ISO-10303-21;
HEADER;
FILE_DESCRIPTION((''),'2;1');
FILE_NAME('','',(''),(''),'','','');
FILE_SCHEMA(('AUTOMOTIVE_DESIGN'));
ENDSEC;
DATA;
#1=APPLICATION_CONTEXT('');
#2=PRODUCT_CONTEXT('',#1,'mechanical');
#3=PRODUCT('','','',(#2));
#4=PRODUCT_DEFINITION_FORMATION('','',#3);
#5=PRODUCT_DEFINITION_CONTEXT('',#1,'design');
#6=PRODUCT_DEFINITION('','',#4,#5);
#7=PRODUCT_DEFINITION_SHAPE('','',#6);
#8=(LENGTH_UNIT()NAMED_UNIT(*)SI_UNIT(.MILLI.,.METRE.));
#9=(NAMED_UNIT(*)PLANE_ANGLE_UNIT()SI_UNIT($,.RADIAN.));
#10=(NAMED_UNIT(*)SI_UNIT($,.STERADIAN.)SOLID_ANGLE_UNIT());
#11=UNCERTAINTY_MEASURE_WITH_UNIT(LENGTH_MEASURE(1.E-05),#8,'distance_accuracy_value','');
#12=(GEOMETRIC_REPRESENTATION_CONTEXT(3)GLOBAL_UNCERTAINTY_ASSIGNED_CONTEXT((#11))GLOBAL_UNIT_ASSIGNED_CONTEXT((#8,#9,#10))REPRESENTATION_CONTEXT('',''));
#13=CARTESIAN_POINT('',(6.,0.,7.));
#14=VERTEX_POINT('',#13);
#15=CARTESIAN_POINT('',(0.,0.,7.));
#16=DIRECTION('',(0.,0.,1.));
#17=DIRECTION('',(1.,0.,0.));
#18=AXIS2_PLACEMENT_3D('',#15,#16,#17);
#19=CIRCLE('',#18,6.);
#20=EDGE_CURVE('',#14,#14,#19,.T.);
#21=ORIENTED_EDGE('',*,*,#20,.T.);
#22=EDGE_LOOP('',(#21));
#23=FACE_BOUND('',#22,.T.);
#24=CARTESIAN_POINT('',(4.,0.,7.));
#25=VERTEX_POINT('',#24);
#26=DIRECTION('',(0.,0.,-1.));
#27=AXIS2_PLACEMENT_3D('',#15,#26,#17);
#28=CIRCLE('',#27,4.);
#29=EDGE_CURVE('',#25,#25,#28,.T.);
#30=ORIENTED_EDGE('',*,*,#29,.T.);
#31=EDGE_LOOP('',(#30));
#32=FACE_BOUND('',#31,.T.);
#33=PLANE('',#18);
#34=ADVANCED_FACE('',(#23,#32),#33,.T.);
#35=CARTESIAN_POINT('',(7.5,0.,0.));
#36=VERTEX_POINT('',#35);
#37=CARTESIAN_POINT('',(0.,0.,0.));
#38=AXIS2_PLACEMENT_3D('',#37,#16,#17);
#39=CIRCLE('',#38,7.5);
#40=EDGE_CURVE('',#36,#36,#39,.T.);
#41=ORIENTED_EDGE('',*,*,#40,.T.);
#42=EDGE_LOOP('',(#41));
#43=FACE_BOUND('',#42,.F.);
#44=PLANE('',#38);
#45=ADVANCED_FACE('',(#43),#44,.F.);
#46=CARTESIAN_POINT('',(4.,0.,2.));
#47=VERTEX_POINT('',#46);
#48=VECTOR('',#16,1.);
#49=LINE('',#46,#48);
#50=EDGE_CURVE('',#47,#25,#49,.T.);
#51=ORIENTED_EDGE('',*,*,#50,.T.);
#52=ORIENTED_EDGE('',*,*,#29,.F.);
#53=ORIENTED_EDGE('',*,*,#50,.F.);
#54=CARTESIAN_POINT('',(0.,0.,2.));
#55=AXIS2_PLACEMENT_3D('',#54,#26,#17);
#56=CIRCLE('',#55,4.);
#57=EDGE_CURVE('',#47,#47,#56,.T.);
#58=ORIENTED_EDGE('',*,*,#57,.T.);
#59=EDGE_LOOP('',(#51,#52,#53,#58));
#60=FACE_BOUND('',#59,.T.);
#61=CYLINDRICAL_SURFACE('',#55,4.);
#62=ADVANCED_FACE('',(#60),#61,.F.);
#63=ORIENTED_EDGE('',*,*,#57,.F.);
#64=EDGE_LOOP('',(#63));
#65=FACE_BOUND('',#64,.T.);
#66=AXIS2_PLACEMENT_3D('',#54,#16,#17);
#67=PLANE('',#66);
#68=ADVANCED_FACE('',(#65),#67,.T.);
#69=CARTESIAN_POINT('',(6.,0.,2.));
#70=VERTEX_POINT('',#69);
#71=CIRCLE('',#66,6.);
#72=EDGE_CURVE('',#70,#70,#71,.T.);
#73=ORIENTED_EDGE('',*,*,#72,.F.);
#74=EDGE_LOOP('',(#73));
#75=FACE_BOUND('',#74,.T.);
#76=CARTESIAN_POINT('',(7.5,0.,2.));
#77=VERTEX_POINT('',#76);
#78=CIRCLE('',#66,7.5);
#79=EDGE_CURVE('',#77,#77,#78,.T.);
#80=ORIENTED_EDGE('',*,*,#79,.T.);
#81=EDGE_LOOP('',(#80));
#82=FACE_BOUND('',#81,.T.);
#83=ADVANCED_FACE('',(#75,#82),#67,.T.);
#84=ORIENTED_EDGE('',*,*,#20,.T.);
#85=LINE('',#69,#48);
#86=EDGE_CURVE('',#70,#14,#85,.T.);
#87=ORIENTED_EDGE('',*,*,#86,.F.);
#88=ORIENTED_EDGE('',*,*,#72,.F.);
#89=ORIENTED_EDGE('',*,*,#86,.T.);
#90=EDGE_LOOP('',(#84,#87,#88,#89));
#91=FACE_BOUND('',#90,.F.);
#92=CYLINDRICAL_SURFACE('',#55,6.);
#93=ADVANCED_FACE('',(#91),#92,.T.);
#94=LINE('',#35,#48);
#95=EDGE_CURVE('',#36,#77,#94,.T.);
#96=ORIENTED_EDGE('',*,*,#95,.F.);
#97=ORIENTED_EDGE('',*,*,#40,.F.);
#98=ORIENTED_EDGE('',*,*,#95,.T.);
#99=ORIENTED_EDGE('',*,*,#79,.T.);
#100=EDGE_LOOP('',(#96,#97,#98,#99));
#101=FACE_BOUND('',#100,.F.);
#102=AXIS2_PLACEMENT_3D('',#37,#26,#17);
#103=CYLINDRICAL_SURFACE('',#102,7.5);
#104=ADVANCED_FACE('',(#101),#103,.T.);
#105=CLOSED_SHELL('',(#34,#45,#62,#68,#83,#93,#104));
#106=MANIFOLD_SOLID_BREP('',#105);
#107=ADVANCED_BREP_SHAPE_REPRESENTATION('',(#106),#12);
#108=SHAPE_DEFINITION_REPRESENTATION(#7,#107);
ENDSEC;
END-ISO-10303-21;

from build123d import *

# Parameters (mm, degrees)
F0_R     = 7.5
F1_DEPTH = 2
F2_R     = 6
F3_DEPTH = 5
F4_T     = -2


with BuildPart() as f1:
    # F0 (on Top) → F1 (new body)
    with BuildSketch(Plane.XY):
        Circle(F0_R)
    extrude(amount=F1_DEPTH)

    # F2 (on face) → F3 (join)
    with BuildSketch(Plane.XY.offset(2)):
        Circle(F2_R)
    extrude(amount=F3_DEPTH)

    # F4
    f4_openings = [f1.faces().sort_by_distance(p)[0] for p in [
        (0, 0, 7),
    ]]
    offset(amount=F4_T, openings=f4_openings, kind=Kind.INTERSECTION)


solid = f1.part
